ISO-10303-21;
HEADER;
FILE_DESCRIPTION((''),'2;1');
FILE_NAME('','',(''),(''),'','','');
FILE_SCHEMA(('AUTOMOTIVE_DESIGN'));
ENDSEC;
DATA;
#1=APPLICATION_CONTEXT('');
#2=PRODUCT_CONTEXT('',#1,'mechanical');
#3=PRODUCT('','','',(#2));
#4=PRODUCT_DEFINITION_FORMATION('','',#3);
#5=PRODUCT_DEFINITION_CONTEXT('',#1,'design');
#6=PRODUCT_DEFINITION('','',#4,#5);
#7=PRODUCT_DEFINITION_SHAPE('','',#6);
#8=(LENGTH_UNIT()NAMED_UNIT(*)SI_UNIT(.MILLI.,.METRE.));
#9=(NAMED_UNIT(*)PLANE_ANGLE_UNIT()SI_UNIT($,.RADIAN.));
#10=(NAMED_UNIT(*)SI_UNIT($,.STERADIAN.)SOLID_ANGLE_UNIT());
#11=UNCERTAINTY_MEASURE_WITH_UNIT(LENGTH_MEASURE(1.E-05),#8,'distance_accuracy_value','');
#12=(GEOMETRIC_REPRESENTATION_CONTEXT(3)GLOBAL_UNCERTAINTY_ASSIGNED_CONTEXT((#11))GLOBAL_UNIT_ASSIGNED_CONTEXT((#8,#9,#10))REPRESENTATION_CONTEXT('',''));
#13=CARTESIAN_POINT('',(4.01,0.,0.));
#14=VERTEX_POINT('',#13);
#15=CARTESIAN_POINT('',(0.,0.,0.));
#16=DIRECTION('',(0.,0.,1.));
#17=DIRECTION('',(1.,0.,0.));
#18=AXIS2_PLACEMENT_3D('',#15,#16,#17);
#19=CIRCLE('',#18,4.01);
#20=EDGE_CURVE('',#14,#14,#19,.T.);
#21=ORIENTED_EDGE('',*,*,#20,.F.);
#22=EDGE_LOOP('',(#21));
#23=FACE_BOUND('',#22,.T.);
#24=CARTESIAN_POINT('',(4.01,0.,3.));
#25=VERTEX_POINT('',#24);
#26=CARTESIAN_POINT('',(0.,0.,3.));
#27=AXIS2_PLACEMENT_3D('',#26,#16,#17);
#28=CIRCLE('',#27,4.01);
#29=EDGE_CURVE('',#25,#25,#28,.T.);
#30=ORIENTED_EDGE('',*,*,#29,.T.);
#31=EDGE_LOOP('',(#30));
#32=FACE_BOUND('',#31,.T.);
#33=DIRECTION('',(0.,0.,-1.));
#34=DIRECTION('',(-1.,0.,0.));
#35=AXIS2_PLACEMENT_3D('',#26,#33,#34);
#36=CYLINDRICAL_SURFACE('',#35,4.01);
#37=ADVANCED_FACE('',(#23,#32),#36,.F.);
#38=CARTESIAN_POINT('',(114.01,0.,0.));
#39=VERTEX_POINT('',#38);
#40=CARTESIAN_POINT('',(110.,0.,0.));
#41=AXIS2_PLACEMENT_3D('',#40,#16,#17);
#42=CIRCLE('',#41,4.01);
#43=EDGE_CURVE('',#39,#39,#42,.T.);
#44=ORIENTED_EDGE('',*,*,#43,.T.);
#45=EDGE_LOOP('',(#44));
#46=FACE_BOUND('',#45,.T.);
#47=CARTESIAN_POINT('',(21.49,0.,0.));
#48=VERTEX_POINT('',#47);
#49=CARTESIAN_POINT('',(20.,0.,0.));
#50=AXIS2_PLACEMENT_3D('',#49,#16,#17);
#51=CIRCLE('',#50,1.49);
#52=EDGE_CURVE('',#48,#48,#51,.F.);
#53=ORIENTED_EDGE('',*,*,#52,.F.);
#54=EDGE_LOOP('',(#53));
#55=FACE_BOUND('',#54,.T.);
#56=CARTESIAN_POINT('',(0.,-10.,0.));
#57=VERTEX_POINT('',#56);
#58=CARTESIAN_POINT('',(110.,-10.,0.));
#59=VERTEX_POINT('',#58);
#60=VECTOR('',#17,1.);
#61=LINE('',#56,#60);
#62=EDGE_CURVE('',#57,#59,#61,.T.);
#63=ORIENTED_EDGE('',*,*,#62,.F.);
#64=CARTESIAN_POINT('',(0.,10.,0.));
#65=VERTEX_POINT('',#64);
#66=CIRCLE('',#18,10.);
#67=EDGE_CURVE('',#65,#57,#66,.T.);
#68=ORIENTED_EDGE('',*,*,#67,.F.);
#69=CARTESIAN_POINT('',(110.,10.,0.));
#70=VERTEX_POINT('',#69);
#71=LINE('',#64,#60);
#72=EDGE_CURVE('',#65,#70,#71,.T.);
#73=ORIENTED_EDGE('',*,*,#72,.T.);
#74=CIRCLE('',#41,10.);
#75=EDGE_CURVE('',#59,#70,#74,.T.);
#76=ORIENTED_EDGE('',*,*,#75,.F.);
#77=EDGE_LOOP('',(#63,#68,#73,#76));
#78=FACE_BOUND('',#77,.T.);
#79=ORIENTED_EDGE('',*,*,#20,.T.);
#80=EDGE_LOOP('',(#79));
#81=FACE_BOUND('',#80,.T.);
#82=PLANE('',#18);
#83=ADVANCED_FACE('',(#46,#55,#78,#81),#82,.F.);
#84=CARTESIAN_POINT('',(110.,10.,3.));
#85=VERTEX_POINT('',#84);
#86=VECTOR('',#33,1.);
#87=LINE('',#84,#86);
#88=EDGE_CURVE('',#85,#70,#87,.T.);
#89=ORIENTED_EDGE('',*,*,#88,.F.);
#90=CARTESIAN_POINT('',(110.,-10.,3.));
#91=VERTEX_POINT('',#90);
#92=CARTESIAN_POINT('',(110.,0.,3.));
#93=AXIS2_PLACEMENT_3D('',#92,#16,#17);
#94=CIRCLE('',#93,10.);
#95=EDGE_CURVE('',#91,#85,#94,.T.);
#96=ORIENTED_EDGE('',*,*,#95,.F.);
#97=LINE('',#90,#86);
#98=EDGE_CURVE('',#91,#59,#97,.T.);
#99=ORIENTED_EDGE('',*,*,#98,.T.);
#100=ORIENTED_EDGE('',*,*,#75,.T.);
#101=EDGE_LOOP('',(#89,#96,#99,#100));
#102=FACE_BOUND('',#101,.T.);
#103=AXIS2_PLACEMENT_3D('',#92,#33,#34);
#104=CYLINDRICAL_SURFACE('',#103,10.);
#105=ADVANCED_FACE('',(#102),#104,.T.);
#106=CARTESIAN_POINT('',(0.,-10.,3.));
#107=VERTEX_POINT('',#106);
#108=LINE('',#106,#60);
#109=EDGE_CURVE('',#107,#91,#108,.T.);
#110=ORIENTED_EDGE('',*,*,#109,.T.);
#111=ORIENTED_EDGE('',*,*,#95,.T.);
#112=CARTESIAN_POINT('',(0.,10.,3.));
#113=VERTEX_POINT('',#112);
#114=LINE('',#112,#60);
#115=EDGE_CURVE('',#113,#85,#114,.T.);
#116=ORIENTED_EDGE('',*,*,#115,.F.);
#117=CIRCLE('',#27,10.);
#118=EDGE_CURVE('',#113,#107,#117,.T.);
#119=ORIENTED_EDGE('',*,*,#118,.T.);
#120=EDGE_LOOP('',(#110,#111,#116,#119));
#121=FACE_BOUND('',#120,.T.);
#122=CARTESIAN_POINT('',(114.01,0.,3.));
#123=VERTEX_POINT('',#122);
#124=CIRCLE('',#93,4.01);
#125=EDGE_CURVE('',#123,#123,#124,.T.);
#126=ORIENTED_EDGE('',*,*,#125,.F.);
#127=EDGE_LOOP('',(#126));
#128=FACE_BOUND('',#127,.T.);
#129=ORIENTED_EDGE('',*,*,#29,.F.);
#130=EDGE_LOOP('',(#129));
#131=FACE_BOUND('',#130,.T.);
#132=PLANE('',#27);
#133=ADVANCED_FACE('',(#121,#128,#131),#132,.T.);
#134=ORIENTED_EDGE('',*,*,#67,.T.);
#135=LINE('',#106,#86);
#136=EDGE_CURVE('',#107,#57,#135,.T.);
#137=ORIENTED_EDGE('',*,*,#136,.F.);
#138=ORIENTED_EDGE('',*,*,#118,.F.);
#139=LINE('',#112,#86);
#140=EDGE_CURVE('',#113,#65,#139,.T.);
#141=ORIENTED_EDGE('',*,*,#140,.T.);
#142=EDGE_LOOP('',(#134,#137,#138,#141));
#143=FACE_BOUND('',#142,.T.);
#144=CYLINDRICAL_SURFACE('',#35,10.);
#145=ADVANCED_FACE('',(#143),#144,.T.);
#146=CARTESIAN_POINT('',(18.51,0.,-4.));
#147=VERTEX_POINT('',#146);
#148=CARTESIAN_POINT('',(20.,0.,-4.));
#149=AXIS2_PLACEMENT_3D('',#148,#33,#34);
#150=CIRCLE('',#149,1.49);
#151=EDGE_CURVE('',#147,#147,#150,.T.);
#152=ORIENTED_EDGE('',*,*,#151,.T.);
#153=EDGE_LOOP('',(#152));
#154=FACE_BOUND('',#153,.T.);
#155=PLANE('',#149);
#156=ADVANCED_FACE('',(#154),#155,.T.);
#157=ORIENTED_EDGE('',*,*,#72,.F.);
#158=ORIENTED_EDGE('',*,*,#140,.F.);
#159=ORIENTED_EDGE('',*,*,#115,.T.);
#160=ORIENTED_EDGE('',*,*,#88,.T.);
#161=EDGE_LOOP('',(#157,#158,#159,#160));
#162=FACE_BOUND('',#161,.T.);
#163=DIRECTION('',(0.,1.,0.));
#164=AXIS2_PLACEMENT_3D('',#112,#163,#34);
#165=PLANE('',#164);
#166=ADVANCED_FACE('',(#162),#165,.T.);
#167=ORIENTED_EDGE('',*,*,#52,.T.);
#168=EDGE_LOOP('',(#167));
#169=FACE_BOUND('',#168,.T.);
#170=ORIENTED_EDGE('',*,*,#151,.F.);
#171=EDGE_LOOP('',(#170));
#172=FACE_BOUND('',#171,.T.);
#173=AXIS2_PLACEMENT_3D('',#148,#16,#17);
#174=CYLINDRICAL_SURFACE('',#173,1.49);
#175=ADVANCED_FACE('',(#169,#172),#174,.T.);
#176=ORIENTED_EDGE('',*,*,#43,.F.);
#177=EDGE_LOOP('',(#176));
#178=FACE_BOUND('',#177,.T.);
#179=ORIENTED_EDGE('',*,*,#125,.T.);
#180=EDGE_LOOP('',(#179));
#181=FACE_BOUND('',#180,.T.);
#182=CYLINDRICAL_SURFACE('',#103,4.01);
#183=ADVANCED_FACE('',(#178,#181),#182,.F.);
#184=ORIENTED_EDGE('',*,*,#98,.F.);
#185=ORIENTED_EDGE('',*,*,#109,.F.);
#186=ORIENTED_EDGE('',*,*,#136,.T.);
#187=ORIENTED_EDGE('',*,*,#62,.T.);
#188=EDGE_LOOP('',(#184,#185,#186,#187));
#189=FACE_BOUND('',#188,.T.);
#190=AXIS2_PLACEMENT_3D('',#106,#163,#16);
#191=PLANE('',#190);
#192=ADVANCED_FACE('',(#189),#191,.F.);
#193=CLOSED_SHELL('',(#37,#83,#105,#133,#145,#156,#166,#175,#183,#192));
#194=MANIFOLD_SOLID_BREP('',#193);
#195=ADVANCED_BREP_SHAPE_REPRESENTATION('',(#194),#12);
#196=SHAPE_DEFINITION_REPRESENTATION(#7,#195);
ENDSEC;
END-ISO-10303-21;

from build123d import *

# Parameters (mm, degrees)
SKETCH1_R           = 4.01
BOSS_EXTRUDE1_DEPTH = 3
SKETCH2_R           = 1.49
BOSS_EXTRUDE3_DEPTH = 4


with BuildPart() as part:
    # Sketch1 → Boss-Extrude1 (new body)
    with BuildSketch(Plane.XY):
        with BuildLine():
            Line((110, 10), (0, 10))
            ThreePointArc((0, 10), (-10, 0), (0, -10))
            Line((0, -10), (110, -10))
            ThreePointArc((110, -10), (120, 0), (110, 10))
        make_face()
        Circle(SKETCH1_R, mode=Mode.SUBTRACT)
        with Locations((110, 0)):
            Circle(SKETCH1_R, mode=Mode.SUBTRACT)
    extrude(amount=BOSS_EXTRUDE1_DEPTH)

    # Sketch2 → Boss-Extrude3 (add)
    with BuildSketch(Plane(origin=(0, 0, 0), x_dir=(-1, 0, 0), z_dir=(0, 0, -1))):
        with Locations(Location((-20, 0, 0), (0, 0, 180))):
            Circle(SKETCH2_R)
    extrude(amount=BOSS_EXTRUDE3_DEPTH)


solid = part.part
